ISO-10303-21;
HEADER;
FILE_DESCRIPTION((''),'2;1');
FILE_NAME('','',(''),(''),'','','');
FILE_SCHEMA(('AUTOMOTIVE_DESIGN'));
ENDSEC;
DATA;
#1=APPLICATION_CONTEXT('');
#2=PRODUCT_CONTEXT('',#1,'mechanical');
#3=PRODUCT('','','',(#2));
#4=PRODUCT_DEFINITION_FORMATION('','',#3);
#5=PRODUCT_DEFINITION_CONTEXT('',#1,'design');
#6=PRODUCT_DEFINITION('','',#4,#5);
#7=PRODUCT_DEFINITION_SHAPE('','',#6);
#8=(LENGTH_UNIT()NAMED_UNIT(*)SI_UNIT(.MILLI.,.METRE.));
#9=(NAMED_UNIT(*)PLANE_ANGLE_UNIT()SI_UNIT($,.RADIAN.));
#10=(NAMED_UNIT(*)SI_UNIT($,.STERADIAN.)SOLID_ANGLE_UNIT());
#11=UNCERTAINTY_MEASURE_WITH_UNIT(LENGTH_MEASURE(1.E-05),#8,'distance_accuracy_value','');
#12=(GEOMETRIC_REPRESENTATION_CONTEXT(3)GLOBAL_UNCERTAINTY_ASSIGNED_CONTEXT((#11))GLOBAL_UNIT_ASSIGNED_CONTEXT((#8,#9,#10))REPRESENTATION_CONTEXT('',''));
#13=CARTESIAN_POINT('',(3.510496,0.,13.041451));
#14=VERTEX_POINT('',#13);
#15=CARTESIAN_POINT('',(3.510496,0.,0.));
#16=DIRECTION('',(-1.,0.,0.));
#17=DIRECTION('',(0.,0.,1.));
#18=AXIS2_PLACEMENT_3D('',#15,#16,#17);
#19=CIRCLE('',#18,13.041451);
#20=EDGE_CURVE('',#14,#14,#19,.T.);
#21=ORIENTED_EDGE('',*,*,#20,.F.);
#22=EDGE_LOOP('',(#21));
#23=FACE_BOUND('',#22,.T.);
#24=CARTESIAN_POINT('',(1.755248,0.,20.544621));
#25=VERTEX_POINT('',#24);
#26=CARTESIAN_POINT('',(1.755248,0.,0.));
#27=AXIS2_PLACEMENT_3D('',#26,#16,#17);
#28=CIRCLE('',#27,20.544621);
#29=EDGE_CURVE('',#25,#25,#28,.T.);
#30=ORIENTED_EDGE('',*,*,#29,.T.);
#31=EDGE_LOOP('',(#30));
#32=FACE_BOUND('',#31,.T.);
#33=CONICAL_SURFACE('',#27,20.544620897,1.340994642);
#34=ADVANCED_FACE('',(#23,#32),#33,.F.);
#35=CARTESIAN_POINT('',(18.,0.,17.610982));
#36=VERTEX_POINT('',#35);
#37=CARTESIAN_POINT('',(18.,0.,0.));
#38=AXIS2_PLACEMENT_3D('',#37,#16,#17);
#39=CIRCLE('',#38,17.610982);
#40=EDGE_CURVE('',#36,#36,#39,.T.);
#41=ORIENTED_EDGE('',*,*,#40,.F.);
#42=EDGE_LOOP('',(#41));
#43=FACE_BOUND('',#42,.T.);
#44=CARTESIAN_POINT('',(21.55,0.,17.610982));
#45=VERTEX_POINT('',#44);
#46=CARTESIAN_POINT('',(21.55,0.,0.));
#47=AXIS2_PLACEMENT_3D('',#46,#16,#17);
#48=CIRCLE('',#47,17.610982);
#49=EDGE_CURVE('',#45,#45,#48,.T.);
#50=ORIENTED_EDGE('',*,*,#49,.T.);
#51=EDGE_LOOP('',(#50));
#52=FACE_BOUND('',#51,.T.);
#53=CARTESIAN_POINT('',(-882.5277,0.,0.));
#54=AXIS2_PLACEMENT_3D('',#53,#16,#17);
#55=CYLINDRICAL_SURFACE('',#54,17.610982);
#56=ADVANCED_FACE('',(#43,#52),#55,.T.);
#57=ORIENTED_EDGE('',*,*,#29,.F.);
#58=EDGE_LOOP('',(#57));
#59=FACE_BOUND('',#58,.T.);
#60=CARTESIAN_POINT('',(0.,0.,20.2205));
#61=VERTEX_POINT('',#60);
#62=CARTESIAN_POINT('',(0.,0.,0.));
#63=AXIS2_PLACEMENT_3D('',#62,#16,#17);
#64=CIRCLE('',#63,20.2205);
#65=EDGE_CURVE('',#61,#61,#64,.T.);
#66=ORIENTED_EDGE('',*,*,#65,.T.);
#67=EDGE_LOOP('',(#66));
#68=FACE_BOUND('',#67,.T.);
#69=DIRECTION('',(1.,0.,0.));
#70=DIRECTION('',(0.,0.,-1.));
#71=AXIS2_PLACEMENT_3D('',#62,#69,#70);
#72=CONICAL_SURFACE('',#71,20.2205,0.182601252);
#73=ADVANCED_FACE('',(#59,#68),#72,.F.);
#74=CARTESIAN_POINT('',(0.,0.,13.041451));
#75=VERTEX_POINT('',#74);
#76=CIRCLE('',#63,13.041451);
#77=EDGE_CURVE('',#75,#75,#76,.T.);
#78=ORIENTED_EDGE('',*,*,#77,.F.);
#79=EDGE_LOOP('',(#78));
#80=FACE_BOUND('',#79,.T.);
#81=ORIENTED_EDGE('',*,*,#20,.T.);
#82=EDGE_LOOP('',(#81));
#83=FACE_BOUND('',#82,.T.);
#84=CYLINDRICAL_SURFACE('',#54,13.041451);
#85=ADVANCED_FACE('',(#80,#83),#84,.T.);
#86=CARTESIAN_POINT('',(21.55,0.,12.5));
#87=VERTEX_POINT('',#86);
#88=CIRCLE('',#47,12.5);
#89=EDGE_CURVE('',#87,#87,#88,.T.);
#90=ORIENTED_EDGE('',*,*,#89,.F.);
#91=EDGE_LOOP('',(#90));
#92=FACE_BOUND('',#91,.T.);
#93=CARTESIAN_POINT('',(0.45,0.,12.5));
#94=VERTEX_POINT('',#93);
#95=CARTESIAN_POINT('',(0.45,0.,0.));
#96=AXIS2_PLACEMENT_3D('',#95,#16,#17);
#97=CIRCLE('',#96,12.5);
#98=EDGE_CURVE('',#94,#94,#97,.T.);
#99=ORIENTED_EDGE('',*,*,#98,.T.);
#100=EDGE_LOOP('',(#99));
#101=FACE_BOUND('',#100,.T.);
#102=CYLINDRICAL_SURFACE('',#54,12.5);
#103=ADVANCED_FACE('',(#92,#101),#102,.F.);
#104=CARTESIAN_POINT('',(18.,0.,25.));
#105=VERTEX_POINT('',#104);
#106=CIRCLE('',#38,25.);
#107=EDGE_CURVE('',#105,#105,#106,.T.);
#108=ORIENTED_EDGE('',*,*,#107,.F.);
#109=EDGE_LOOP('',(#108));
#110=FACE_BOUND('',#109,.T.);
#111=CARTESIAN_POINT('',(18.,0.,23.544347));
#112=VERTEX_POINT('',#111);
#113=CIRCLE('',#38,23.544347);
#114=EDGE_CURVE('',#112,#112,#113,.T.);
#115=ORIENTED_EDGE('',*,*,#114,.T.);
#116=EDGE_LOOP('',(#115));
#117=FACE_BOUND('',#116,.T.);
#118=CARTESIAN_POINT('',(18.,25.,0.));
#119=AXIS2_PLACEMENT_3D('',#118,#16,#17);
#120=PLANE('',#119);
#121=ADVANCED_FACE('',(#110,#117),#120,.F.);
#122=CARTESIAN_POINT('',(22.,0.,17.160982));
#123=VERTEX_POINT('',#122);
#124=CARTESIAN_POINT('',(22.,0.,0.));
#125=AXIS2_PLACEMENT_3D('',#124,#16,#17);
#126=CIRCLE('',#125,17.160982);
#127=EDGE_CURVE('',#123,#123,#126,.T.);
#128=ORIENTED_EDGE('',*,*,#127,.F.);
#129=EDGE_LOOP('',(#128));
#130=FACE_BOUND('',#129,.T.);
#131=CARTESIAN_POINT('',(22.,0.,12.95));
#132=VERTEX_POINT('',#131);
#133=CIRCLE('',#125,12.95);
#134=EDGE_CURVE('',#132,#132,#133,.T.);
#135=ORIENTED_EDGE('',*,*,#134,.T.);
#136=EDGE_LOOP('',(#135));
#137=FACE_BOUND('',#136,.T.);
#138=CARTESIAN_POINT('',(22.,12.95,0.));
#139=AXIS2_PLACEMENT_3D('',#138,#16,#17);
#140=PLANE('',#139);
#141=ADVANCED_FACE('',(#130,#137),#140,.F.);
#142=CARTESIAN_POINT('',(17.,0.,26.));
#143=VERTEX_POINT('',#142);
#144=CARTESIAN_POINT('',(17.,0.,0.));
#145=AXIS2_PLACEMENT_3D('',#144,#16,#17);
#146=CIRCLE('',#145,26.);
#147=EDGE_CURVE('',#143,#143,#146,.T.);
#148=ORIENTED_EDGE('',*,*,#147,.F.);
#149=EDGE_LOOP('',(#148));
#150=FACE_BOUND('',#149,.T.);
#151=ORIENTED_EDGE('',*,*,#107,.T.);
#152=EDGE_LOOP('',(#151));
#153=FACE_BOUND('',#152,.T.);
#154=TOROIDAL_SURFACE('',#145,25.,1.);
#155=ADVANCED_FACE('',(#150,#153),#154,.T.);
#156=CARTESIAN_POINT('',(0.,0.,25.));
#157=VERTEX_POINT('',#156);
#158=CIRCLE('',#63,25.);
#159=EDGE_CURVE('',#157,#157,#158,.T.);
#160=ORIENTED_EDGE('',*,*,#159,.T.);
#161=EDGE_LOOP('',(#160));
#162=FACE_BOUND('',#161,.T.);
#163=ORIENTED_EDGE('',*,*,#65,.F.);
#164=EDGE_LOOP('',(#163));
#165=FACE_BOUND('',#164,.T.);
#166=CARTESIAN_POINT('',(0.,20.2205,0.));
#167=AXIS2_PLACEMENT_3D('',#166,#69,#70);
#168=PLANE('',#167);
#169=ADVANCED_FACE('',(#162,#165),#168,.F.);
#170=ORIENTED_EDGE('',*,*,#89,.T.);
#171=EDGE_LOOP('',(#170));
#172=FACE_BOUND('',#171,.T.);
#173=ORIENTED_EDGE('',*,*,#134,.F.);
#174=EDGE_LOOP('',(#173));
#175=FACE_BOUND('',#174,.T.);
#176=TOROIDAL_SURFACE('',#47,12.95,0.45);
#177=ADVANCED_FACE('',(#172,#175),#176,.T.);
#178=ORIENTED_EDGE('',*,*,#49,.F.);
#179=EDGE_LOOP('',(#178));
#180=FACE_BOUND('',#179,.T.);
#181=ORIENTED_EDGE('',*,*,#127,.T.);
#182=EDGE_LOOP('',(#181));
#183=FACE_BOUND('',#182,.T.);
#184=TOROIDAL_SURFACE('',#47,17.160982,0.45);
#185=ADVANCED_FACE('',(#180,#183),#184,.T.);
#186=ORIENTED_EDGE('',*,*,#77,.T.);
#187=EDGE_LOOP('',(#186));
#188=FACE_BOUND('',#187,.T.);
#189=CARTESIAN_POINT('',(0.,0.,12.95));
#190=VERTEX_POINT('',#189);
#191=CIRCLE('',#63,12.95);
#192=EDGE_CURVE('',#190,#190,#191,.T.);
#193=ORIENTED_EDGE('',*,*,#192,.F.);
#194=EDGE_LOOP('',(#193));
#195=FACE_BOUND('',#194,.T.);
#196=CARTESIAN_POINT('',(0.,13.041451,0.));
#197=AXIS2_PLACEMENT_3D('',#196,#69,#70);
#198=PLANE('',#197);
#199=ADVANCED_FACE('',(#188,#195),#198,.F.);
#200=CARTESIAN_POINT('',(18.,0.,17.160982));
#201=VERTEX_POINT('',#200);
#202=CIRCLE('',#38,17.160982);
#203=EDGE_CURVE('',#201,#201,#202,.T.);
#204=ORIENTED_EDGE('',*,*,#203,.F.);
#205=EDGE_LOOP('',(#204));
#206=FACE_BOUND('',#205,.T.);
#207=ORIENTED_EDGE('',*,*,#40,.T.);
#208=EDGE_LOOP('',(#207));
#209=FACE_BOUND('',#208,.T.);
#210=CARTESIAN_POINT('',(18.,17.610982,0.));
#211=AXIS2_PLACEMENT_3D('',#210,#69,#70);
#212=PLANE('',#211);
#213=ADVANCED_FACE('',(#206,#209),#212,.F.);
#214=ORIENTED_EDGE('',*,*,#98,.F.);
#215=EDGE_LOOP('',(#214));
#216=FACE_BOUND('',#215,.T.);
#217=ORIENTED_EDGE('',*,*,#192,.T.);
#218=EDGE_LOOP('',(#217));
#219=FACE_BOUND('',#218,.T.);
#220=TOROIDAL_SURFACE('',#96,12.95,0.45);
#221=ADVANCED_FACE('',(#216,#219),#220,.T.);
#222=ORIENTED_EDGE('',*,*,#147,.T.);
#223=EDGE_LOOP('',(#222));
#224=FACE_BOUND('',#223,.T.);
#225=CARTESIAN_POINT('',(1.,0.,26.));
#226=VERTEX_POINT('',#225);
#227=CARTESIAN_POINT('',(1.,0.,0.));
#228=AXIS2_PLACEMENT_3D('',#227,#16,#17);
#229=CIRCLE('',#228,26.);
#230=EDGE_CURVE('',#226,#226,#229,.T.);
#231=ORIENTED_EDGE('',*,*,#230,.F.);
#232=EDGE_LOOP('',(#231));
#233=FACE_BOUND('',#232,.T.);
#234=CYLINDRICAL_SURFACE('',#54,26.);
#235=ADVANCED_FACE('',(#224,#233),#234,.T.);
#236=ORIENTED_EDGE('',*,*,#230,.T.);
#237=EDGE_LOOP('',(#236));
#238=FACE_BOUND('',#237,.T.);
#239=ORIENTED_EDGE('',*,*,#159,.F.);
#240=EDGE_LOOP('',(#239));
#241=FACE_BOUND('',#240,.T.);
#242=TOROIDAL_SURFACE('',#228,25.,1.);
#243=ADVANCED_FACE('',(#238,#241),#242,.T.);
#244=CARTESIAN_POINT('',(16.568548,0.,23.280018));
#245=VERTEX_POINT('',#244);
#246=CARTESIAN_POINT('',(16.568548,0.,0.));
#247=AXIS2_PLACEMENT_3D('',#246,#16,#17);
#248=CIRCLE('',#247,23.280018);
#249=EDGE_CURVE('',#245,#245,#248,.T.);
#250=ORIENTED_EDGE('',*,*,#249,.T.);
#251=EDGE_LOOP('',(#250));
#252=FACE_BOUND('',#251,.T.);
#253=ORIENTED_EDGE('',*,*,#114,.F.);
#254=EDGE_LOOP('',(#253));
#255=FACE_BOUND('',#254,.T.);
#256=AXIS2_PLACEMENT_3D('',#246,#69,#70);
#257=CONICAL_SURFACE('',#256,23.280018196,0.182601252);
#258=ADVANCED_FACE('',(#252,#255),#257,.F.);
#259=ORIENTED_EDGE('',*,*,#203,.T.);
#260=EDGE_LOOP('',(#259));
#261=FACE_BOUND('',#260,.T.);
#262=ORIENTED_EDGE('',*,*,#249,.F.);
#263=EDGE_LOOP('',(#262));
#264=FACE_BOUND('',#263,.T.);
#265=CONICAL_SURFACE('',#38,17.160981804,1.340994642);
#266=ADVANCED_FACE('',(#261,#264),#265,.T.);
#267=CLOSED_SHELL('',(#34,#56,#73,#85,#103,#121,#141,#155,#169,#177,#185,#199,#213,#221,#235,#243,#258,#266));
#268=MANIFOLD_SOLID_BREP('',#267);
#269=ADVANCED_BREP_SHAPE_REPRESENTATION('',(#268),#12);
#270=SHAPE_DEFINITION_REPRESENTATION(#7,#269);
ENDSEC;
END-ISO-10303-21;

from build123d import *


with BuildPart() as part:
    # Эскиз1 → Повернуть1 (revolve)
    with BuildSketch(Plane.XY):
        with BuildLine():
            Line((1.755247843, 20.544620897), (0, 20.2205))
            Line((0, 20.2205), (0, 25))
            ThreePointArc((0, 25), (0.292893219, 25.707106781), (1, 26))
            Line((1, 26), (17, 26))
            ThreePointArc((17, 26), (17.707106781, 25.707106781), (18, 25))
            Line((18, 25), (18, 23.544347499))
            Line((18, 23.544347499), (16.568548211, 23.280018196))
            Line((16.568548211, 23.280018196), (18, 17.160981804))
            Line((18, 17.160981804), (18, 17.610981804))
            Line((18, 17.610981804), (21.55, 17.610981804))
            ThreePointArc((21.55, 17.610981804), (21.868198052, 17.479179856), (22, 17.160981804))
            Line((22, 17.160981804), (22, 12.95))
            ThreePointArc((22, 12.95), (21.868198052, 12.631801948), (21.55, 12.5))
            Line((21.55, 12.5), (0.45, 12.5))
            ThreePointArc((0.45, 12.5), (0.131801948, 12.631801948), (0, 12.95))
            Line((0, 12.95), (0, 13.041451381))
            Line((0, 13.041451381), (3.510495686, 13.041451381))
            Line((3.510495686, 13.041451381), (1.755247843, 20.544620897))
        make_face()
    revolve(axis=Axis((-882.527700014, 0, 0), (1, 0, 0)))


solid = part.part
